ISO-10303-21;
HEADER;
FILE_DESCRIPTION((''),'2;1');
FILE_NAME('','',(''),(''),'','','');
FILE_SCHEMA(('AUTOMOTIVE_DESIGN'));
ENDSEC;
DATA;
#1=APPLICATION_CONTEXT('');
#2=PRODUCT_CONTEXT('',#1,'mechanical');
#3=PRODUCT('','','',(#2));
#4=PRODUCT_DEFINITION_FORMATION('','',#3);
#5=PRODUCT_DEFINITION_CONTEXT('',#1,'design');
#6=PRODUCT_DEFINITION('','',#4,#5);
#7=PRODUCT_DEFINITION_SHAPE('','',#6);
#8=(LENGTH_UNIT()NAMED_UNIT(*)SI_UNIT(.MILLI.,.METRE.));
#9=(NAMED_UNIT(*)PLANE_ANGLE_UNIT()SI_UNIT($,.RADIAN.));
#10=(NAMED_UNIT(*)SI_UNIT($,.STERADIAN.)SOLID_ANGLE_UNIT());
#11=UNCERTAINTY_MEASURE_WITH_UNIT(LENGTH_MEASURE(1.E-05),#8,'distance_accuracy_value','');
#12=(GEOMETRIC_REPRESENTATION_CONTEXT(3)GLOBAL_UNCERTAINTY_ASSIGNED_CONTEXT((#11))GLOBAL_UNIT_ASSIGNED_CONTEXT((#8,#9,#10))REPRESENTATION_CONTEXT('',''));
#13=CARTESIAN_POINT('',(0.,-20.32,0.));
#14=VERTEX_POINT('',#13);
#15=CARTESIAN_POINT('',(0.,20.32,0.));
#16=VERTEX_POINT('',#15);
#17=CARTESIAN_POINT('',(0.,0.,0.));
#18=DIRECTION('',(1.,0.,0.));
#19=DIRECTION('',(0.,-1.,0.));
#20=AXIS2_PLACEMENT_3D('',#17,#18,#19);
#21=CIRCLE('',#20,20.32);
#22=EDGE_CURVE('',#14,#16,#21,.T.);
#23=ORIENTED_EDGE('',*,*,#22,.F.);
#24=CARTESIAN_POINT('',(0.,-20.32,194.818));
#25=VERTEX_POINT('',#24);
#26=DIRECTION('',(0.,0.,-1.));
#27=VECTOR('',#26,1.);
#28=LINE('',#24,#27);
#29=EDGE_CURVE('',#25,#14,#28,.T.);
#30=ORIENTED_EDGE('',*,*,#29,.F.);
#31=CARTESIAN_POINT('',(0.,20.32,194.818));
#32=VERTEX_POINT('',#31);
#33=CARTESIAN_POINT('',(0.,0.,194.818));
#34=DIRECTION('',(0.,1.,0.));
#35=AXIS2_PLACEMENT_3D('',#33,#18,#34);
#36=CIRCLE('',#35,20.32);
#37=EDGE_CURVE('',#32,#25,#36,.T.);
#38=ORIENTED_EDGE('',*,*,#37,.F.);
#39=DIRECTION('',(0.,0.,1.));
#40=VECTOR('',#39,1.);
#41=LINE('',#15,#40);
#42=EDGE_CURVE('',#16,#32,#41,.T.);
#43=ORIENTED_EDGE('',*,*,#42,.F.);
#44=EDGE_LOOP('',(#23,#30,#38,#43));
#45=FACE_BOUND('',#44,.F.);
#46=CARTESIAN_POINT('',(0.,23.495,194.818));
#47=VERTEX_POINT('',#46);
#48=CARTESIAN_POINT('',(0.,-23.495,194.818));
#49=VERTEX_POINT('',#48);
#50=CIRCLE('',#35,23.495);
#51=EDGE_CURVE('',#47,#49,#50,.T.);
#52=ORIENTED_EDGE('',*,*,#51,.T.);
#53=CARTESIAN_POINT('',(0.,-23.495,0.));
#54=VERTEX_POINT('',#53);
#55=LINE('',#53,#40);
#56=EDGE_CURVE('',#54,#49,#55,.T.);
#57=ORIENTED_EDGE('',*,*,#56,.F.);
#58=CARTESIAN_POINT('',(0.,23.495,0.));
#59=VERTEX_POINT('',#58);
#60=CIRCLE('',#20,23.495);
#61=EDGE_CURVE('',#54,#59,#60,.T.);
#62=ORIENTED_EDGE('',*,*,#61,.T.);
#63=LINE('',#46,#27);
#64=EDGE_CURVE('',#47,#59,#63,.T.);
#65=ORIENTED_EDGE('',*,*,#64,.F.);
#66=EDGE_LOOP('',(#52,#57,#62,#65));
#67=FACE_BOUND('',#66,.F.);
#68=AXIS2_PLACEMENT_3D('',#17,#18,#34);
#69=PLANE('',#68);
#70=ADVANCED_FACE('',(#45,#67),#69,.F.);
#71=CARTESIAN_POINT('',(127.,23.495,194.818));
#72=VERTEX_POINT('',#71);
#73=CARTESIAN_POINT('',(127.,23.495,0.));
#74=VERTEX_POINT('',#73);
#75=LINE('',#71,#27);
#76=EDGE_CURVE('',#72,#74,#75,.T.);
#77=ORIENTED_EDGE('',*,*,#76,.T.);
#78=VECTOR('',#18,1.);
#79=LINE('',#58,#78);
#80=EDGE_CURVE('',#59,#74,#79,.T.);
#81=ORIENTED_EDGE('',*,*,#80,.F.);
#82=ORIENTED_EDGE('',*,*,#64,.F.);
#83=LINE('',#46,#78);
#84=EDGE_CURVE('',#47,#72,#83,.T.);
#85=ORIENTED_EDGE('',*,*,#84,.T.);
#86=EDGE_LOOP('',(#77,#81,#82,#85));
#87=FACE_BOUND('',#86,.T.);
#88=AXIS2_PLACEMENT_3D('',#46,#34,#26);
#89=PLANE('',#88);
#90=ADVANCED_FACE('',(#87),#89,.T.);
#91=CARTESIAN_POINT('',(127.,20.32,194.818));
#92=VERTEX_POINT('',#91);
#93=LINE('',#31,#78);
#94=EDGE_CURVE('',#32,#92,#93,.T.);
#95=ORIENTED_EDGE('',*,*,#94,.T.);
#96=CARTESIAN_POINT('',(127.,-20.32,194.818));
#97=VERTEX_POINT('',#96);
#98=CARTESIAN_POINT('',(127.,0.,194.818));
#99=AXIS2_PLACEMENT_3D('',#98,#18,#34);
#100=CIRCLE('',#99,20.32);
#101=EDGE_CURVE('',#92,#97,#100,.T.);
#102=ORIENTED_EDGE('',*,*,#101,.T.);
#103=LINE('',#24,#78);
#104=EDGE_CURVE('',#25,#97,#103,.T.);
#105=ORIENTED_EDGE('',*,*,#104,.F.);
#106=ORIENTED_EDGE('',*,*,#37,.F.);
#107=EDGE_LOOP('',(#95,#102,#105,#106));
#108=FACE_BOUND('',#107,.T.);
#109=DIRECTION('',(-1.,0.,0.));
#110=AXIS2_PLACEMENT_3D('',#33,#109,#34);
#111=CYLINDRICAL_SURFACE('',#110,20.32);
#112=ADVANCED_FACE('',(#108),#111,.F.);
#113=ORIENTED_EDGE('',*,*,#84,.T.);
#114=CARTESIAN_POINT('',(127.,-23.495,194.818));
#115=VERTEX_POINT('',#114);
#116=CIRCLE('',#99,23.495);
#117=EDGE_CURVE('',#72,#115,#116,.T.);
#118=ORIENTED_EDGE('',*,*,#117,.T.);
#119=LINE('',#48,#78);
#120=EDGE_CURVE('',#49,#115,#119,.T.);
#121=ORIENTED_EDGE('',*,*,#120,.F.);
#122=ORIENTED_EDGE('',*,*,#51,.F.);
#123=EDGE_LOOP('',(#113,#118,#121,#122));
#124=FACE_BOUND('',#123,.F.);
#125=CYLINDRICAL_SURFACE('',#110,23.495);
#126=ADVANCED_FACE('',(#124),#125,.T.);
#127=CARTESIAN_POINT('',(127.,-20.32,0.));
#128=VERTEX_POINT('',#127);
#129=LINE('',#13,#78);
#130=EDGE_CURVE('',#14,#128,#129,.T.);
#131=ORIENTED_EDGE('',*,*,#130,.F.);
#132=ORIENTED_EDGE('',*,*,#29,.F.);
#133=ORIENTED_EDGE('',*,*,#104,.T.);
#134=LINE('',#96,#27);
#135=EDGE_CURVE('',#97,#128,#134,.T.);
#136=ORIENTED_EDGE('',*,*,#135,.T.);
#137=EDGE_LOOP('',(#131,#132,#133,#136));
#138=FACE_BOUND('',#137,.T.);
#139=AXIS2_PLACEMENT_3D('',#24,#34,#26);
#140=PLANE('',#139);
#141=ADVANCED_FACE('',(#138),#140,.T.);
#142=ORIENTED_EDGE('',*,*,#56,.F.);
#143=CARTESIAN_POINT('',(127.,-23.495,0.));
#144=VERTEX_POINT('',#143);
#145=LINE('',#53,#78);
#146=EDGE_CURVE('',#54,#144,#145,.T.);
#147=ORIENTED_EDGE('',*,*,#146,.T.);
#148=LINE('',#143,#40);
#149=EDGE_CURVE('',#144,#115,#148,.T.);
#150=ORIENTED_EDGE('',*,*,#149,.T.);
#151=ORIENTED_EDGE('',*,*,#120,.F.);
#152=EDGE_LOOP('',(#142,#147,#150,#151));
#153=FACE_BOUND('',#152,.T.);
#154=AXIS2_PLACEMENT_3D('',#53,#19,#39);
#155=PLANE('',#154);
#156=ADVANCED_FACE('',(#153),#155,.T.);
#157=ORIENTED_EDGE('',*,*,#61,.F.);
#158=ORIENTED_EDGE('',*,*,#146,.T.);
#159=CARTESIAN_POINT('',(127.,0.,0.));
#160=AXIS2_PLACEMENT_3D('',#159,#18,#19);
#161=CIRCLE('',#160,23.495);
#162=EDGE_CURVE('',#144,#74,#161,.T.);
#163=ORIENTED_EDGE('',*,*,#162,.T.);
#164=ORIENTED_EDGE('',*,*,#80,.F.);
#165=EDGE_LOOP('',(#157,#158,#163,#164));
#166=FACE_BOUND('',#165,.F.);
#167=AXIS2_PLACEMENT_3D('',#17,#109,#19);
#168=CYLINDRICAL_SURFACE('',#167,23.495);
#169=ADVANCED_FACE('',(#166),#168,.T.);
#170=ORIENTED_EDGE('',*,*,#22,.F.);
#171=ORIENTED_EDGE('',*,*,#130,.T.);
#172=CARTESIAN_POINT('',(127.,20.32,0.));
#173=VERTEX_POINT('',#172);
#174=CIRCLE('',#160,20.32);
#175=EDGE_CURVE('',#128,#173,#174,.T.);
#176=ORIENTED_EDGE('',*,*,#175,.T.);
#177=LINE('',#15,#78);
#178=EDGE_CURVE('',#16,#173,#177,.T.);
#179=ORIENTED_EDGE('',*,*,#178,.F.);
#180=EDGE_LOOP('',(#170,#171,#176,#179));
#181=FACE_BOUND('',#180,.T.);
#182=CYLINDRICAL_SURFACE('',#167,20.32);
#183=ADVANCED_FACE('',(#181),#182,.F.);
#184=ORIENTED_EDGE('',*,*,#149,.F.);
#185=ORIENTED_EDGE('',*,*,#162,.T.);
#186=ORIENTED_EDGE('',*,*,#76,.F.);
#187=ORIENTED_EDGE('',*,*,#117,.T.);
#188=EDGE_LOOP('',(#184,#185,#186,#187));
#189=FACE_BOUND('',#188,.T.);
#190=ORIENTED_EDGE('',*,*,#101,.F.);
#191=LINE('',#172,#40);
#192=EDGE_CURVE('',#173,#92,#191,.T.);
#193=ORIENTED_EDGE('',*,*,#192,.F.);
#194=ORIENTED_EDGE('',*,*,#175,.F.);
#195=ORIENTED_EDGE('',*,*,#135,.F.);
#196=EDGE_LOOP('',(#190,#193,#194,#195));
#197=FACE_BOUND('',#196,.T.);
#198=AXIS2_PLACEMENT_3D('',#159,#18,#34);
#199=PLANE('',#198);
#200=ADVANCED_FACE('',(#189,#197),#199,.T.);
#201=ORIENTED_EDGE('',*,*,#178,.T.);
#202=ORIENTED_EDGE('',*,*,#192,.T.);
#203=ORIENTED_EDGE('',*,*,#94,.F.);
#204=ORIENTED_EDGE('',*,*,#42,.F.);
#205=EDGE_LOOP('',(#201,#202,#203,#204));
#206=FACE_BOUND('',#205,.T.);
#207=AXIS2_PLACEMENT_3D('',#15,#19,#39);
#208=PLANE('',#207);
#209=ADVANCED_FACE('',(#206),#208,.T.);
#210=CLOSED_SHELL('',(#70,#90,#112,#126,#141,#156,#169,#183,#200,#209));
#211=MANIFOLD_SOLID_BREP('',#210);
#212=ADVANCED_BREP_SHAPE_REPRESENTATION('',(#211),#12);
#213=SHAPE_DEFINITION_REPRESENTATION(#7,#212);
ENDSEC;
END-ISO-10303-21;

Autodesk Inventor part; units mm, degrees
ref_plane "YZ Plane" through (0, 0, 0) normal (1, 0, 0) x (0, 1, 0)
ref_plane "XZ Plane" through (0, 0, 0) normal (0, 1, 0) x (-1, 0, 0)
ref_plane "XY Plane" through (0, 0, 0) normal (0, 0, 1) x (1, 0, 0)
sketch "Sketch1" plane through (0, 0, 0) normal (1, 0, 0) x (0, 1, 0)
  line L0 (0, 0) -> (0, 194.818) construction
  line L1 (20.32, 0) -> (20.32, 194.818)
  line L2 (-20.32, 194.818) -> (-20.32, 0)
  arc A0 (-20.32, 0) -> (20.32, 0) centre (0, 0) ccw
  arc A1 (20.32, 194.818) -> (-20.32, 194.818) centre (0, 194.818) ccw
  line L3 (23.495, 194.818) -> (23.495, 0)
  arc A2 (-23.495, 0) -> (23.495, 0) centre (0, 0) ccw
  line L4 (-23.495, 0) -> (-23.495, 194.818)
  arc A3 (23.495, 194.818) -> (-23.495, 194.818) centre (0, 194.818) ccw
  point P0 (0, 97.409)
  dimension "d0" = 194.818
  dimension "d1" = 40.64
  dimension "d2" = 3.175
extrude "Extrusion1" add sketch "Sketch1" along normal blind 127
properties part number "Shooting_Belt"
